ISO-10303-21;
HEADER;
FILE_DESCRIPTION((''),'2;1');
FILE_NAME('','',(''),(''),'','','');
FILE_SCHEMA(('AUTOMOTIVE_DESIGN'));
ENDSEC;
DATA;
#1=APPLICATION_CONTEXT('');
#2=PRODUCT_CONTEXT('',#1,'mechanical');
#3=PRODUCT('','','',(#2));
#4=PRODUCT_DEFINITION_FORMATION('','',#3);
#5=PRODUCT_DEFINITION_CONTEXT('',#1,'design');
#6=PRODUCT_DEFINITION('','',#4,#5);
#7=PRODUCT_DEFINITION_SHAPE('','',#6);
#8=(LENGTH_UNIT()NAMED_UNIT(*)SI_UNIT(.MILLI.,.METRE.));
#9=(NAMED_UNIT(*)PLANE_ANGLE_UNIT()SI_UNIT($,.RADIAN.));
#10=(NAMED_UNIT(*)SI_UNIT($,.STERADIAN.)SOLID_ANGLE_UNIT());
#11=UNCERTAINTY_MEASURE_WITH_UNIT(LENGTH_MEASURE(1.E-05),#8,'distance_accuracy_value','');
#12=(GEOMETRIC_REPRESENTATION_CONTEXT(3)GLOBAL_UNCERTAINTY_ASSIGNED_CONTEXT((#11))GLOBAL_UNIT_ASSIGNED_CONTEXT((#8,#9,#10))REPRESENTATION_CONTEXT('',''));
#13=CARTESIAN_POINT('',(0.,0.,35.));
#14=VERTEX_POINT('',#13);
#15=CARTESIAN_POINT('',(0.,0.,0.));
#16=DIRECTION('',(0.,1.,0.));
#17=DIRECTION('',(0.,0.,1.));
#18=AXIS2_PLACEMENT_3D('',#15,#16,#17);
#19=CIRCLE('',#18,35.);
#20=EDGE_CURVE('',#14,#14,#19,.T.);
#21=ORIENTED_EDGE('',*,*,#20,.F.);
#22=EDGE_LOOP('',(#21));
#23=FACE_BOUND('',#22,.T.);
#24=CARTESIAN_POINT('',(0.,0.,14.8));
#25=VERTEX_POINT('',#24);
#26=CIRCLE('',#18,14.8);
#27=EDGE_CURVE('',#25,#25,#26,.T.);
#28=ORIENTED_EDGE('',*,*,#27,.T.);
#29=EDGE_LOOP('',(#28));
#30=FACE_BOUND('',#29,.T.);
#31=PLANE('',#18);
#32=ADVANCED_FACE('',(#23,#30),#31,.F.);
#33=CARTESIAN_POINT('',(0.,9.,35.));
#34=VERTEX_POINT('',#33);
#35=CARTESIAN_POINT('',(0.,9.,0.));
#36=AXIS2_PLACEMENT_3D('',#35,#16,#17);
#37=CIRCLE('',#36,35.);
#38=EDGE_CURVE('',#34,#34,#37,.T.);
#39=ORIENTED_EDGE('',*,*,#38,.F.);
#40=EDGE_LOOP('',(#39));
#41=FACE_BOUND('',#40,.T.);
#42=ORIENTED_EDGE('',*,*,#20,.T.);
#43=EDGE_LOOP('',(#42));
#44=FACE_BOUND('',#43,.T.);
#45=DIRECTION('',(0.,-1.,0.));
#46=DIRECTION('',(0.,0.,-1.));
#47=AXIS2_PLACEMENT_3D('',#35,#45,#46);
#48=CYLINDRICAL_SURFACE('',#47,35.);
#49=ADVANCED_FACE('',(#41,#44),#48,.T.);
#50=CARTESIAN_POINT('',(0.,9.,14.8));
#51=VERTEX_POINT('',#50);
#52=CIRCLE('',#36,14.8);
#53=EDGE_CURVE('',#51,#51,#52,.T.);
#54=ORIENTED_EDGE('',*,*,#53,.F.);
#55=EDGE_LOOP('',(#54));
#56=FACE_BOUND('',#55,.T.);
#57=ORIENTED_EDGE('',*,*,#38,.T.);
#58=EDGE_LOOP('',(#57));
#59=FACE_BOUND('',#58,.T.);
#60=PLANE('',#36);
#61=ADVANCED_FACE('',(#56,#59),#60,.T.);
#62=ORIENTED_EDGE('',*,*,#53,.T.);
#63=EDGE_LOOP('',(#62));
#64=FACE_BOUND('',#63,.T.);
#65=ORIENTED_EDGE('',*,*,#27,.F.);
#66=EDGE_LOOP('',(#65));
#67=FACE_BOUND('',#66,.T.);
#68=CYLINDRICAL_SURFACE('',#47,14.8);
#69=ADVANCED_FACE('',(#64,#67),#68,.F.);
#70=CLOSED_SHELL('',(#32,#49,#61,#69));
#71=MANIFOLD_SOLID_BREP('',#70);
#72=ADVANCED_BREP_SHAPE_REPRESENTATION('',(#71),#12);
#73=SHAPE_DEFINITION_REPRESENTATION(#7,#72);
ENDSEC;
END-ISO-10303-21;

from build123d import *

# Parameters (mm, degrees)
SKETCH_2_R      = 35
SKETCH_2_R_2    = 14.8
EXTRUDE_1_DEPTH = 9


with BuildPart() as part:
    # Эскиз2 → Вытянуть1 (new body)
    with BuildSketch(Plane(origin=(0, 0, 0), x_dir=(1, 0, 0), z_dir=(0, 1, 0))):
        with Locations(Location((0, 0, 0), (0, 0, 270))):
            Circle(SKETCH_2_R)
        with Locations(Location((0, 0, 0), (0, 0, 270))):
            Circle(SKETCH_2_R_2, mode=Mode.SUBTRACT)
    extrude(amount=EXTRUDE_1_DEPTH)


solid = part.part
